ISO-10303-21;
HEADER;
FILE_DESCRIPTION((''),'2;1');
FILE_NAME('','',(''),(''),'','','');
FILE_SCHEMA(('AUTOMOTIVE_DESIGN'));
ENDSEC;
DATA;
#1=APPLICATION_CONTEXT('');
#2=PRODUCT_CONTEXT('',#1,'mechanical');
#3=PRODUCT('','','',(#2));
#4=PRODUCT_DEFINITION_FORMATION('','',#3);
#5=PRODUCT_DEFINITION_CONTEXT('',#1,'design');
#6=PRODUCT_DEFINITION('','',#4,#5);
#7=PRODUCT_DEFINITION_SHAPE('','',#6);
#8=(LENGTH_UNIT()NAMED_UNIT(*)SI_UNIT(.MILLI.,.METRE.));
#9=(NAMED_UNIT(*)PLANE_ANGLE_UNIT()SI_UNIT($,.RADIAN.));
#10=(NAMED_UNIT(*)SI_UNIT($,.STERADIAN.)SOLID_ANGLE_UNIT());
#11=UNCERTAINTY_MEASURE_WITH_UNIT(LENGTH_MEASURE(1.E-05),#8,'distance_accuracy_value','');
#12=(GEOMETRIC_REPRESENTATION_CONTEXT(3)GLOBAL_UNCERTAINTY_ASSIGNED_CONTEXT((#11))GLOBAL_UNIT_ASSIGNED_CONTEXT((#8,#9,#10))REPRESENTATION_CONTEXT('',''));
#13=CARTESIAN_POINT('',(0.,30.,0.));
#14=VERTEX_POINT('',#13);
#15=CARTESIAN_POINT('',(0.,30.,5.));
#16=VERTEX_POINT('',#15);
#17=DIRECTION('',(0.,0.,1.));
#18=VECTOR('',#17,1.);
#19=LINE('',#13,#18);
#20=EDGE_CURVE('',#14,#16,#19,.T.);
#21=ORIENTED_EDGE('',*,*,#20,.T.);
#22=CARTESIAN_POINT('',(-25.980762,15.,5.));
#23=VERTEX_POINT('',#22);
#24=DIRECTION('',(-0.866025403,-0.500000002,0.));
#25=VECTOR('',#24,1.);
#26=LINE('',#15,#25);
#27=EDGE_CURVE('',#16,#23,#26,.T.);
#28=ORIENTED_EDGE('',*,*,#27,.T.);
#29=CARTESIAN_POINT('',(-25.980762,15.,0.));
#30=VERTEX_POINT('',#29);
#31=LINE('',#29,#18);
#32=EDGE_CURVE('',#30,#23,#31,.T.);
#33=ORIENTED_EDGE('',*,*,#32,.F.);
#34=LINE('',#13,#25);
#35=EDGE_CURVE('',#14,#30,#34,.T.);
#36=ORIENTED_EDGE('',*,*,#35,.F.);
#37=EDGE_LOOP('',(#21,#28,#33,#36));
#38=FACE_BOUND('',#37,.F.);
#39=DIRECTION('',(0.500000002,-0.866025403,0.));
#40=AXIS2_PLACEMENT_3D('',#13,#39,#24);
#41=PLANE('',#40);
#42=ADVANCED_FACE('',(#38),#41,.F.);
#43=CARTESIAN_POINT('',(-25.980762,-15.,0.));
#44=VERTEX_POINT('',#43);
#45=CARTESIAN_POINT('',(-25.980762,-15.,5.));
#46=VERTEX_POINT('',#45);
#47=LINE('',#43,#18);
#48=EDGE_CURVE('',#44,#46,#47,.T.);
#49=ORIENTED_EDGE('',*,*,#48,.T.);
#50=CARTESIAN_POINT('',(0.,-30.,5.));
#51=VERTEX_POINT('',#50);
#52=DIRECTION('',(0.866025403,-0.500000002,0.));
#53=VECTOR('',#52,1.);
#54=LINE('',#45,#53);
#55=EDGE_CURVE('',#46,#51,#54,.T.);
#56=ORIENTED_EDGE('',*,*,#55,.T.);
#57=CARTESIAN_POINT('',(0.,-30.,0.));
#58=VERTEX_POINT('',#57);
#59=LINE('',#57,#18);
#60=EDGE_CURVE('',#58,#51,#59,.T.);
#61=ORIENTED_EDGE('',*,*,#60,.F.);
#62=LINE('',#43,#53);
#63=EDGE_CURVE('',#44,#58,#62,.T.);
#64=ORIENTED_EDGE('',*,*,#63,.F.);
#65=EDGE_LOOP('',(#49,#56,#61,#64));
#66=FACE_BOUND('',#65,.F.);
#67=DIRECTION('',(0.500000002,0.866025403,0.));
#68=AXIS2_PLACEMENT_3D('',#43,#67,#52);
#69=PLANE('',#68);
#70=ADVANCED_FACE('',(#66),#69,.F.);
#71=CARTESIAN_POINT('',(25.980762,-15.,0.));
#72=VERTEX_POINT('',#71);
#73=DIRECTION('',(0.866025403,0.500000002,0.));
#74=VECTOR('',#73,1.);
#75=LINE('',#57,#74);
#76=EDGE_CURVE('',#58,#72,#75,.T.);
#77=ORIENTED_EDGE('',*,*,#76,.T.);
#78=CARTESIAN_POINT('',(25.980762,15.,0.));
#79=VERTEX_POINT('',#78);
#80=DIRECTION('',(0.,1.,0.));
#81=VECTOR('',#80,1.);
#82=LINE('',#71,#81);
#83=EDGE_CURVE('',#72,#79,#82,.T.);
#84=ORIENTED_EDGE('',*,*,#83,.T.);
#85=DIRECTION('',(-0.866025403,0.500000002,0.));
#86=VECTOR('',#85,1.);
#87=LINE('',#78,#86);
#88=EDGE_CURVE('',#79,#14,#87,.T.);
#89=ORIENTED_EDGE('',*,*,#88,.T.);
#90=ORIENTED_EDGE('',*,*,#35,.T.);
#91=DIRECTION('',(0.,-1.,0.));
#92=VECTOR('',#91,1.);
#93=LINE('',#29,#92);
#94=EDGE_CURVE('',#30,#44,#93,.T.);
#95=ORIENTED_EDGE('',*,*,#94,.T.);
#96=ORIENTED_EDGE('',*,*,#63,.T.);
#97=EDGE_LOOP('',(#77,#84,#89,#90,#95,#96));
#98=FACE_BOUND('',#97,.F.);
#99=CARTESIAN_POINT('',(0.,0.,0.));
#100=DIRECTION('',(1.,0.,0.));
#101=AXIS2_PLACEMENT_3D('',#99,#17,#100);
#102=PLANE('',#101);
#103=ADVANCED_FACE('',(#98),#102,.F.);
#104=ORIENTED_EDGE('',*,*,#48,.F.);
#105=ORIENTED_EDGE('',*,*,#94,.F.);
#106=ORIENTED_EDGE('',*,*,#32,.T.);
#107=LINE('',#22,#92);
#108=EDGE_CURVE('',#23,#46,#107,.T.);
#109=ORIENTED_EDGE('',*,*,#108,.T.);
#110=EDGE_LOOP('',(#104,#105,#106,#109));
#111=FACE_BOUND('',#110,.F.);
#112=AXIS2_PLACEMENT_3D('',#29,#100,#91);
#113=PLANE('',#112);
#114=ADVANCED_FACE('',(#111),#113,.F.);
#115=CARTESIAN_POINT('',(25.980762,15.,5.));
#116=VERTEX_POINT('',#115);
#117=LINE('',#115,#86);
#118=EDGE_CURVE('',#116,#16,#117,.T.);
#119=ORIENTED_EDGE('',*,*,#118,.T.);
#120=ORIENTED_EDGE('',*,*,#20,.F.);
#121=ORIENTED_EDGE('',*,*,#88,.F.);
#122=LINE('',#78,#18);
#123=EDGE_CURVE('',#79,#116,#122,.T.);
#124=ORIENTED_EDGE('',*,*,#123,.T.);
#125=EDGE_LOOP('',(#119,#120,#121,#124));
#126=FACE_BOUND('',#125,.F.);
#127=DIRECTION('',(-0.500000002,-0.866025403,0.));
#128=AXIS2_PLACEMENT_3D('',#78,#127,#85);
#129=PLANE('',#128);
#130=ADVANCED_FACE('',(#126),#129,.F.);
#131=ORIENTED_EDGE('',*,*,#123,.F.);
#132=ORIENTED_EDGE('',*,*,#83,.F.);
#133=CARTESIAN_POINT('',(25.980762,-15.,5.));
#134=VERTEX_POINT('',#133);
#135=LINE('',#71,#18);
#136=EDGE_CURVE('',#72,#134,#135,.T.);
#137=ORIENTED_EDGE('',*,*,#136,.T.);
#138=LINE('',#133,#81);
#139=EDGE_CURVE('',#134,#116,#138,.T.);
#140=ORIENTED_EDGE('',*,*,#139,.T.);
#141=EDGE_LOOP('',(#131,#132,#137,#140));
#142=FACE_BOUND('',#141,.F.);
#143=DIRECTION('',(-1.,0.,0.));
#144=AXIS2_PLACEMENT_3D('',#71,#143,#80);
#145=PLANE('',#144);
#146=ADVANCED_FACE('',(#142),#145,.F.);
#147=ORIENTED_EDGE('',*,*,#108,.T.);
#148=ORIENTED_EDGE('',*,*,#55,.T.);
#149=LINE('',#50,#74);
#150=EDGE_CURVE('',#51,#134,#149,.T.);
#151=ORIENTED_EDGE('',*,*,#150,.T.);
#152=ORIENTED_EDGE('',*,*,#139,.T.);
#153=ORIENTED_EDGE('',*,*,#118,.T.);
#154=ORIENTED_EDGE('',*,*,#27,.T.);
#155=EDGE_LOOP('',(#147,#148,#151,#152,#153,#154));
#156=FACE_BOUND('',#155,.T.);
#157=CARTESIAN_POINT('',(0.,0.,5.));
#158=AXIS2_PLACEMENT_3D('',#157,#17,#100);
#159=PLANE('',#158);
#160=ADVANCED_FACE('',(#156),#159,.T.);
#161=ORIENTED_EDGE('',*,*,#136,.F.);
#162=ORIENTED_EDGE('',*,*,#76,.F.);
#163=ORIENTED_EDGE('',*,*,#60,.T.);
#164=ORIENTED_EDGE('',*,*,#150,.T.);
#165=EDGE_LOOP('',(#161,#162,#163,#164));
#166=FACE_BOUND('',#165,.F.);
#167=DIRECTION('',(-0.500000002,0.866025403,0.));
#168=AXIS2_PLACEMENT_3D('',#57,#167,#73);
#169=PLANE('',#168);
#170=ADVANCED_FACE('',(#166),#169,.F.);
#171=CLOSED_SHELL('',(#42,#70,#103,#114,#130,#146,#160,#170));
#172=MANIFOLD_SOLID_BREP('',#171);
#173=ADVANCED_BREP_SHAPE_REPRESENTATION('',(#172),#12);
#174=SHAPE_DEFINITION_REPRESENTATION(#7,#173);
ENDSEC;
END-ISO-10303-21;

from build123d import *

# Parameters (mm, degrees)
PAD_DEPTH = 5


with BuildPart() as part:
    # Sketch → Pad (new body)
    with BuildSketch(Plane.XY):
        Polygon((25.980762, 15), (0, 30), (-25.980762, 15), (-25.980762, -15), (0, -30), (25.980762, -15), align=None)
    extrude(amount=PAD_DEPTH)


solid = part.part
